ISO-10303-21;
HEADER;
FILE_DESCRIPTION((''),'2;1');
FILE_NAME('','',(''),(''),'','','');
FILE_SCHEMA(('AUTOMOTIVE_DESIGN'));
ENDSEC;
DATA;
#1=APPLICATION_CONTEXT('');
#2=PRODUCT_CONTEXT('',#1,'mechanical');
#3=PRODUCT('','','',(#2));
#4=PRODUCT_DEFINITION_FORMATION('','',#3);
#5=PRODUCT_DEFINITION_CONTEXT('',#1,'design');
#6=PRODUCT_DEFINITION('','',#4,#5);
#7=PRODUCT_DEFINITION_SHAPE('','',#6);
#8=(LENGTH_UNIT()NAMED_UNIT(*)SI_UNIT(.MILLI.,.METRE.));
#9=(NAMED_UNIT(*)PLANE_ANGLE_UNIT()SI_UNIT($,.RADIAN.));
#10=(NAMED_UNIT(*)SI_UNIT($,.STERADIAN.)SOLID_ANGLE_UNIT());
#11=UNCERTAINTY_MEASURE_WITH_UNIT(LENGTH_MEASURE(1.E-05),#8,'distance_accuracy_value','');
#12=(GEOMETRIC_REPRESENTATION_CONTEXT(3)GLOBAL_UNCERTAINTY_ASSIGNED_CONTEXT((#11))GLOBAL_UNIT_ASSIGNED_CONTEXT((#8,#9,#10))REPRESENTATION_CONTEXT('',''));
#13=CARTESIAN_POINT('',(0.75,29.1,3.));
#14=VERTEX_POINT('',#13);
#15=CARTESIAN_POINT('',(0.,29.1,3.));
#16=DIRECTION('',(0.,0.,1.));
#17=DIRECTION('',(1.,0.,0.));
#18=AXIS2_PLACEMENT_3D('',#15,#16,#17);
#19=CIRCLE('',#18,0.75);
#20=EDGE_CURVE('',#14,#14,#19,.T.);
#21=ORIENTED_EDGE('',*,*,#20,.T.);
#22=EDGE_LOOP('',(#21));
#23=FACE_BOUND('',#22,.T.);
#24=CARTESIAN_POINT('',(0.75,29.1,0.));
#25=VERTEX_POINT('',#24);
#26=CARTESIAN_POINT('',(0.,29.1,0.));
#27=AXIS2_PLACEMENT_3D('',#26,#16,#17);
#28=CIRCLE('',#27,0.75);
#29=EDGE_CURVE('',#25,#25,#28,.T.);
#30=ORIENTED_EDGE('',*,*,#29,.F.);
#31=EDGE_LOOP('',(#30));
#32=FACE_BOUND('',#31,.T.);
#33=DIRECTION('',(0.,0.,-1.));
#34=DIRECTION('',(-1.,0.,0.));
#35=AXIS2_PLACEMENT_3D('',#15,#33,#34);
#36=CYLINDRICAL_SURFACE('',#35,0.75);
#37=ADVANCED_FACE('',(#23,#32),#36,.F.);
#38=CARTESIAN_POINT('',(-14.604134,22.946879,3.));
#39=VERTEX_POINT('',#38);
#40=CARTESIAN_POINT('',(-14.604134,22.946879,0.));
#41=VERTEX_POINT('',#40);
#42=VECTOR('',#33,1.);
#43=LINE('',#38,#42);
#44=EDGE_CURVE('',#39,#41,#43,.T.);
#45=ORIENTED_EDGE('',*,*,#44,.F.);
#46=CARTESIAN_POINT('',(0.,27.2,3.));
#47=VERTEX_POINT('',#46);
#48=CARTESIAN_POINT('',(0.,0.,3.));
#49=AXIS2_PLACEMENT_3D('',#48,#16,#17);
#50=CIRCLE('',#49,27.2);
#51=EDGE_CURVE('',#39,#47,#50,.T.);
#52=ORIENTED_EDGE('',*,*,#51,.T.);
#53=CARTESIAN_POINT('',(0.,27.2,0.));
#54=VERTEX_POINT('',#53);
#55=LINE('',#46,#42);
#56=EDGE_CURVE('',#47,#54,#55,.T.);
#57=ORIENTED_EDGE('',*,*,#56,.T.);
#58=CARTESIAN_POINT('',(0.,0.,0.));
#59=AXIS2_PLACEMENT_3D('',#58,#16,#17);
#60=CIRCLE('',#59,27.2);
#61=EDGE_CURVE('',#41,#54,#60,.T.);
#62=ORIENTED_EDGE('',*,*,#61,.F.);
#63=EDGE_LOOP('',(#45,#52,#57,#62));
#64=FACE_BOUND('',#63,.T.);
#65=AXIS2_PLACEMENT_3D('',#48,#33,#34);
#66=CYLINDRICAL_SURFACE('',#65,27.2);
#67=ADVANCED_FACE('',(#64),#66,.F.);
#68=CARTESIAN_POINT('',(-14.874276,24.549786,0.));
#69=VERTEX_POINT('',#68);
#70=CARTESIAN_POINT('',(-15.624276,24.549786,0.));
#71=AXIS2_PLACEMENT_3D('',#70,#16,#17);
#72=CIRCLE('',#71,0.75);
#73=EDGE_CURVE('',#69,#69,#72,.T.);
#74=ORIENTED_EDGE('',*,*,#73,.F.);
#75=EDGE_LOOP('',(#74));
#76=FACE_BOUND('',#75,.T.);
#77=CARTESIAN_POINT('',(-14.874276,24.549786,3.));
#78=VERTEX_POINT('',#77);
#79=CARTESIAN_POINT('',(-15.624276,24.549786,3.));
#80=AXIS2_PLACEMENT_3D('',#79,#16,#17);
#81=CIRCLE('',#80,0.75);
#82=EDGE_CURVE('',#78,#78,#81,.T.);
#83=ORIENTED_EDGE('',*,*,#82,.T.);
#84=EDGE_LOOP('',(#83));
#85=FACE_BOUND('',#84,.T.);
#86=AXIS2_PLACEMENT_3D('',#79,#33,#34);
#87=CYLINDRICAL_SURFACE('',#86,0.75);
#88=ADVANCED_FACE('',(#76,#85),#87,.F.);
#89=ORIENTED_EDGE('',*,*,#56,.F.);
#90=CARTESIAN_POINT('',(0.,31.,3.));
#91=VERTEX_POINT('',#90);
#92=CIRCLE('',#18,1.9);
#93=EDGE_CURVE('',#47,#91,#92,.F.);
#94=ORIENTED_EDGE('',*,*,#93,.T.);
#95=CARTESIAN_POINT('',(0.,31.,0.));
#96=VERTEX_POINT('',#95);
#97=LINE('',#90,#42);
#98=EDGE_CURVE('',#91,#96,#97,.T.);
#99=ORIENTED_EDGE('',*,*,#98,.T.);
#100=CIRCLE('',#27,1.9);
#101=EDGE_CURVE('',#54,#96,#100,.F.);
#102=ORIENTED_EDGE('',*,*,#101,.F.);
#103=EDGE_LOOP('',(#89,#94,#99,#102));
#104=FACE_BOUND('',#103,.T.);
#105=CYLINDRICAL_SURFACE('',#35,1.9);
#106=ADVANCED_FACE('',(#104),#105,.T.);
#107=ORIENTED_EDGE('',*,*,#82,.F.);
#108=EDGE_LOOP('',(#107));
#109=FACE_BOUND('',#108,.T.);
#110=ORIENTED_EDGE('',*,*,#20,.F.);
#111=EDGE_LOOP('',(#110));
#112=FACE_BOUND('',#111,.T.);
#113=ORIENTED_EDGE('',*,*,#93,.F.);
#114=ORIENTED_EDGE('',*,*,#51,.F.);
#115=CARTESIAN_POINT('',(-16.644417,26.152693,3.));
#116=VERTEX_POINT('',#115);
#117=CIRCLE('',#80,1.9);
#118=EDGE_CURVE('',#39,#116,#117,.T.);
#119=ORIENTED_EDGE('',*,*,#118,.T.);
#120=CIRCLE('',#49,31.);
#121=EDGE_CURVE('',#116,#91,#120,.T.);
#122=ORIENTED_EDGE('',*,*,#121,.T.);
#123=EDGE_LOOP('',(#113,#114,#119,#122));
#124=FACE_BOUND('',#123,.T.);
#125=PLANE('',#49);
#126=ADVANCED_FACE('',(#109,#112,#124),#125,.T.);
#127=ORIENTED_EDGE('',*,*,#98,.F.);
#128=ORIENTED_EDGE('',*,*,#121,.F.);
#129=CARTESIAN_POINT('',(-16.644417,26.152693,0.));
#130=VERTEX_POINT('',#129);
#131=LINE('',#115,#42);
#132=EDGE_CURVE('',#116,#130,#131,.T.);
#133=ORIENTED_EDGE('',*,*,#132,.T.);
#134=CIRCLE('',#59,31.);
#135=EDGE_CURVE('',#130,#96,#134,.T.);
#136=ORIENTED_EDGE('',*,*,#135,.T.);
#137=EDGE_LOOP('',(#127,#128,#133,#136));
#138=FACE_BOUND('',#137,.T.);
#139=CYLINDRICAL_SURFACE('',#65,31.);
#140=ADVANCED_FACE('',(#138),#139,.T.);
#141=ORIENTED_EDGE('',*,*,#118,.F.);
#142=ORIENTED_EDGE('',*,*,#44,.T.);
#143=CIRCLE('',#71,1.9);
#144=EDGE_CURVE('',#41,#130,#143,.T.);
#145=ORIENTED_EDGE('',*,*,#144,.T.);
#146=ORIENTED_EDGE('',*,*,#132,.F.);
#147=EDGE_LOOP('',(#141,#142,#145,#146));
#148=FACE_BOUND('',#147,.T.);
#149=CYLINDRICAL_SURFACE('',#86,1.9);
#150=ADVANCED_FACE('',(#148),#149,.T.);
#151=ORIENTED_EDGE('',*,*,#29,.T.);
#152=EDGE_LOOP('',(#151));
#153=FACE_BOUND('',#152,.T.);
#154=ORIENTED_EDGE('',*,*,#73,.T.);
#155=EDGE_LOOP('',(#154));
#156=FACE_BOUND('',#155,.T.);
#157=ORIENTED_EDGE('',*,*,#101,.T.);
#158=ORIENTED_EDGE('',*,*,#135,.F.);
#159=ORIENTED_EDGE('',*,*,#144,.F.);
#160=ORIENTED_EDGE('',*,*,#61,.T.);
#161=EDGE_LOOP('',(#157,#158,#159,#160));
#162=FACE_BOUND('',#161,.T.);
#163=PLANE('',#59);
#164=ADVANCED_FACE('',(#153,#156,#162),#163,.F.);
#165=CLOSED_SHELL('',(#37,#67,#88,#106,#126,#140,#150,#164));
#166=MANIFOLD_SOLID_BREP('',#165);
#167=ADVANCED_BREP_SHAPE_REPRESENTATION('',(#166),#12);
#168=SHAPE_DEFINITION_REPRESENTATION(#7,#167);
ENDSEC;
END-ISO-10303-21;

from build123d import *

# Parameters (mm, degrees)
SKETCH1_R           = 0.75
BOSS_EXTRUDE1_DEPTH = 3


with BuildPart() as part:
    # Sketch1 → Boss-Extrude1 (new body)
    with BuildSketch(Plane.XY):
        with BuildLine():
            ThreePointArc((0, 27.2), (19.233304448, 19.233304448), (27.2, 0))
            ThreePointArc((27.2, 0), (-13.088306987, -23.843997572), (-14.60413384, 22.946879413))
            ThreePointArc((-14.60413384, 22.946879413), (-14.021368524, 25.569928133), (-16.644417244, 26.152693449))
            ThreePointArc((-16.644417244, 26.152693449), (8.667943905, -29.763513711), (0, 31))
            ThreePointArc((0, 31), (-1.9, 29.1), (0, 27.2))
        make_face()
        with Locations((-15.624275542, 24.549786431)):
            Circle(SKETCH1_R, mode=Mode.SUBTRACT)
        with Locations((0, 29.1)):
            Circle(SKETCH1_R, mode=Mode.SUBTRACT)
    extrude(amount=BOSS_EXTRUDE1_DEPTH)


solid = part.part
